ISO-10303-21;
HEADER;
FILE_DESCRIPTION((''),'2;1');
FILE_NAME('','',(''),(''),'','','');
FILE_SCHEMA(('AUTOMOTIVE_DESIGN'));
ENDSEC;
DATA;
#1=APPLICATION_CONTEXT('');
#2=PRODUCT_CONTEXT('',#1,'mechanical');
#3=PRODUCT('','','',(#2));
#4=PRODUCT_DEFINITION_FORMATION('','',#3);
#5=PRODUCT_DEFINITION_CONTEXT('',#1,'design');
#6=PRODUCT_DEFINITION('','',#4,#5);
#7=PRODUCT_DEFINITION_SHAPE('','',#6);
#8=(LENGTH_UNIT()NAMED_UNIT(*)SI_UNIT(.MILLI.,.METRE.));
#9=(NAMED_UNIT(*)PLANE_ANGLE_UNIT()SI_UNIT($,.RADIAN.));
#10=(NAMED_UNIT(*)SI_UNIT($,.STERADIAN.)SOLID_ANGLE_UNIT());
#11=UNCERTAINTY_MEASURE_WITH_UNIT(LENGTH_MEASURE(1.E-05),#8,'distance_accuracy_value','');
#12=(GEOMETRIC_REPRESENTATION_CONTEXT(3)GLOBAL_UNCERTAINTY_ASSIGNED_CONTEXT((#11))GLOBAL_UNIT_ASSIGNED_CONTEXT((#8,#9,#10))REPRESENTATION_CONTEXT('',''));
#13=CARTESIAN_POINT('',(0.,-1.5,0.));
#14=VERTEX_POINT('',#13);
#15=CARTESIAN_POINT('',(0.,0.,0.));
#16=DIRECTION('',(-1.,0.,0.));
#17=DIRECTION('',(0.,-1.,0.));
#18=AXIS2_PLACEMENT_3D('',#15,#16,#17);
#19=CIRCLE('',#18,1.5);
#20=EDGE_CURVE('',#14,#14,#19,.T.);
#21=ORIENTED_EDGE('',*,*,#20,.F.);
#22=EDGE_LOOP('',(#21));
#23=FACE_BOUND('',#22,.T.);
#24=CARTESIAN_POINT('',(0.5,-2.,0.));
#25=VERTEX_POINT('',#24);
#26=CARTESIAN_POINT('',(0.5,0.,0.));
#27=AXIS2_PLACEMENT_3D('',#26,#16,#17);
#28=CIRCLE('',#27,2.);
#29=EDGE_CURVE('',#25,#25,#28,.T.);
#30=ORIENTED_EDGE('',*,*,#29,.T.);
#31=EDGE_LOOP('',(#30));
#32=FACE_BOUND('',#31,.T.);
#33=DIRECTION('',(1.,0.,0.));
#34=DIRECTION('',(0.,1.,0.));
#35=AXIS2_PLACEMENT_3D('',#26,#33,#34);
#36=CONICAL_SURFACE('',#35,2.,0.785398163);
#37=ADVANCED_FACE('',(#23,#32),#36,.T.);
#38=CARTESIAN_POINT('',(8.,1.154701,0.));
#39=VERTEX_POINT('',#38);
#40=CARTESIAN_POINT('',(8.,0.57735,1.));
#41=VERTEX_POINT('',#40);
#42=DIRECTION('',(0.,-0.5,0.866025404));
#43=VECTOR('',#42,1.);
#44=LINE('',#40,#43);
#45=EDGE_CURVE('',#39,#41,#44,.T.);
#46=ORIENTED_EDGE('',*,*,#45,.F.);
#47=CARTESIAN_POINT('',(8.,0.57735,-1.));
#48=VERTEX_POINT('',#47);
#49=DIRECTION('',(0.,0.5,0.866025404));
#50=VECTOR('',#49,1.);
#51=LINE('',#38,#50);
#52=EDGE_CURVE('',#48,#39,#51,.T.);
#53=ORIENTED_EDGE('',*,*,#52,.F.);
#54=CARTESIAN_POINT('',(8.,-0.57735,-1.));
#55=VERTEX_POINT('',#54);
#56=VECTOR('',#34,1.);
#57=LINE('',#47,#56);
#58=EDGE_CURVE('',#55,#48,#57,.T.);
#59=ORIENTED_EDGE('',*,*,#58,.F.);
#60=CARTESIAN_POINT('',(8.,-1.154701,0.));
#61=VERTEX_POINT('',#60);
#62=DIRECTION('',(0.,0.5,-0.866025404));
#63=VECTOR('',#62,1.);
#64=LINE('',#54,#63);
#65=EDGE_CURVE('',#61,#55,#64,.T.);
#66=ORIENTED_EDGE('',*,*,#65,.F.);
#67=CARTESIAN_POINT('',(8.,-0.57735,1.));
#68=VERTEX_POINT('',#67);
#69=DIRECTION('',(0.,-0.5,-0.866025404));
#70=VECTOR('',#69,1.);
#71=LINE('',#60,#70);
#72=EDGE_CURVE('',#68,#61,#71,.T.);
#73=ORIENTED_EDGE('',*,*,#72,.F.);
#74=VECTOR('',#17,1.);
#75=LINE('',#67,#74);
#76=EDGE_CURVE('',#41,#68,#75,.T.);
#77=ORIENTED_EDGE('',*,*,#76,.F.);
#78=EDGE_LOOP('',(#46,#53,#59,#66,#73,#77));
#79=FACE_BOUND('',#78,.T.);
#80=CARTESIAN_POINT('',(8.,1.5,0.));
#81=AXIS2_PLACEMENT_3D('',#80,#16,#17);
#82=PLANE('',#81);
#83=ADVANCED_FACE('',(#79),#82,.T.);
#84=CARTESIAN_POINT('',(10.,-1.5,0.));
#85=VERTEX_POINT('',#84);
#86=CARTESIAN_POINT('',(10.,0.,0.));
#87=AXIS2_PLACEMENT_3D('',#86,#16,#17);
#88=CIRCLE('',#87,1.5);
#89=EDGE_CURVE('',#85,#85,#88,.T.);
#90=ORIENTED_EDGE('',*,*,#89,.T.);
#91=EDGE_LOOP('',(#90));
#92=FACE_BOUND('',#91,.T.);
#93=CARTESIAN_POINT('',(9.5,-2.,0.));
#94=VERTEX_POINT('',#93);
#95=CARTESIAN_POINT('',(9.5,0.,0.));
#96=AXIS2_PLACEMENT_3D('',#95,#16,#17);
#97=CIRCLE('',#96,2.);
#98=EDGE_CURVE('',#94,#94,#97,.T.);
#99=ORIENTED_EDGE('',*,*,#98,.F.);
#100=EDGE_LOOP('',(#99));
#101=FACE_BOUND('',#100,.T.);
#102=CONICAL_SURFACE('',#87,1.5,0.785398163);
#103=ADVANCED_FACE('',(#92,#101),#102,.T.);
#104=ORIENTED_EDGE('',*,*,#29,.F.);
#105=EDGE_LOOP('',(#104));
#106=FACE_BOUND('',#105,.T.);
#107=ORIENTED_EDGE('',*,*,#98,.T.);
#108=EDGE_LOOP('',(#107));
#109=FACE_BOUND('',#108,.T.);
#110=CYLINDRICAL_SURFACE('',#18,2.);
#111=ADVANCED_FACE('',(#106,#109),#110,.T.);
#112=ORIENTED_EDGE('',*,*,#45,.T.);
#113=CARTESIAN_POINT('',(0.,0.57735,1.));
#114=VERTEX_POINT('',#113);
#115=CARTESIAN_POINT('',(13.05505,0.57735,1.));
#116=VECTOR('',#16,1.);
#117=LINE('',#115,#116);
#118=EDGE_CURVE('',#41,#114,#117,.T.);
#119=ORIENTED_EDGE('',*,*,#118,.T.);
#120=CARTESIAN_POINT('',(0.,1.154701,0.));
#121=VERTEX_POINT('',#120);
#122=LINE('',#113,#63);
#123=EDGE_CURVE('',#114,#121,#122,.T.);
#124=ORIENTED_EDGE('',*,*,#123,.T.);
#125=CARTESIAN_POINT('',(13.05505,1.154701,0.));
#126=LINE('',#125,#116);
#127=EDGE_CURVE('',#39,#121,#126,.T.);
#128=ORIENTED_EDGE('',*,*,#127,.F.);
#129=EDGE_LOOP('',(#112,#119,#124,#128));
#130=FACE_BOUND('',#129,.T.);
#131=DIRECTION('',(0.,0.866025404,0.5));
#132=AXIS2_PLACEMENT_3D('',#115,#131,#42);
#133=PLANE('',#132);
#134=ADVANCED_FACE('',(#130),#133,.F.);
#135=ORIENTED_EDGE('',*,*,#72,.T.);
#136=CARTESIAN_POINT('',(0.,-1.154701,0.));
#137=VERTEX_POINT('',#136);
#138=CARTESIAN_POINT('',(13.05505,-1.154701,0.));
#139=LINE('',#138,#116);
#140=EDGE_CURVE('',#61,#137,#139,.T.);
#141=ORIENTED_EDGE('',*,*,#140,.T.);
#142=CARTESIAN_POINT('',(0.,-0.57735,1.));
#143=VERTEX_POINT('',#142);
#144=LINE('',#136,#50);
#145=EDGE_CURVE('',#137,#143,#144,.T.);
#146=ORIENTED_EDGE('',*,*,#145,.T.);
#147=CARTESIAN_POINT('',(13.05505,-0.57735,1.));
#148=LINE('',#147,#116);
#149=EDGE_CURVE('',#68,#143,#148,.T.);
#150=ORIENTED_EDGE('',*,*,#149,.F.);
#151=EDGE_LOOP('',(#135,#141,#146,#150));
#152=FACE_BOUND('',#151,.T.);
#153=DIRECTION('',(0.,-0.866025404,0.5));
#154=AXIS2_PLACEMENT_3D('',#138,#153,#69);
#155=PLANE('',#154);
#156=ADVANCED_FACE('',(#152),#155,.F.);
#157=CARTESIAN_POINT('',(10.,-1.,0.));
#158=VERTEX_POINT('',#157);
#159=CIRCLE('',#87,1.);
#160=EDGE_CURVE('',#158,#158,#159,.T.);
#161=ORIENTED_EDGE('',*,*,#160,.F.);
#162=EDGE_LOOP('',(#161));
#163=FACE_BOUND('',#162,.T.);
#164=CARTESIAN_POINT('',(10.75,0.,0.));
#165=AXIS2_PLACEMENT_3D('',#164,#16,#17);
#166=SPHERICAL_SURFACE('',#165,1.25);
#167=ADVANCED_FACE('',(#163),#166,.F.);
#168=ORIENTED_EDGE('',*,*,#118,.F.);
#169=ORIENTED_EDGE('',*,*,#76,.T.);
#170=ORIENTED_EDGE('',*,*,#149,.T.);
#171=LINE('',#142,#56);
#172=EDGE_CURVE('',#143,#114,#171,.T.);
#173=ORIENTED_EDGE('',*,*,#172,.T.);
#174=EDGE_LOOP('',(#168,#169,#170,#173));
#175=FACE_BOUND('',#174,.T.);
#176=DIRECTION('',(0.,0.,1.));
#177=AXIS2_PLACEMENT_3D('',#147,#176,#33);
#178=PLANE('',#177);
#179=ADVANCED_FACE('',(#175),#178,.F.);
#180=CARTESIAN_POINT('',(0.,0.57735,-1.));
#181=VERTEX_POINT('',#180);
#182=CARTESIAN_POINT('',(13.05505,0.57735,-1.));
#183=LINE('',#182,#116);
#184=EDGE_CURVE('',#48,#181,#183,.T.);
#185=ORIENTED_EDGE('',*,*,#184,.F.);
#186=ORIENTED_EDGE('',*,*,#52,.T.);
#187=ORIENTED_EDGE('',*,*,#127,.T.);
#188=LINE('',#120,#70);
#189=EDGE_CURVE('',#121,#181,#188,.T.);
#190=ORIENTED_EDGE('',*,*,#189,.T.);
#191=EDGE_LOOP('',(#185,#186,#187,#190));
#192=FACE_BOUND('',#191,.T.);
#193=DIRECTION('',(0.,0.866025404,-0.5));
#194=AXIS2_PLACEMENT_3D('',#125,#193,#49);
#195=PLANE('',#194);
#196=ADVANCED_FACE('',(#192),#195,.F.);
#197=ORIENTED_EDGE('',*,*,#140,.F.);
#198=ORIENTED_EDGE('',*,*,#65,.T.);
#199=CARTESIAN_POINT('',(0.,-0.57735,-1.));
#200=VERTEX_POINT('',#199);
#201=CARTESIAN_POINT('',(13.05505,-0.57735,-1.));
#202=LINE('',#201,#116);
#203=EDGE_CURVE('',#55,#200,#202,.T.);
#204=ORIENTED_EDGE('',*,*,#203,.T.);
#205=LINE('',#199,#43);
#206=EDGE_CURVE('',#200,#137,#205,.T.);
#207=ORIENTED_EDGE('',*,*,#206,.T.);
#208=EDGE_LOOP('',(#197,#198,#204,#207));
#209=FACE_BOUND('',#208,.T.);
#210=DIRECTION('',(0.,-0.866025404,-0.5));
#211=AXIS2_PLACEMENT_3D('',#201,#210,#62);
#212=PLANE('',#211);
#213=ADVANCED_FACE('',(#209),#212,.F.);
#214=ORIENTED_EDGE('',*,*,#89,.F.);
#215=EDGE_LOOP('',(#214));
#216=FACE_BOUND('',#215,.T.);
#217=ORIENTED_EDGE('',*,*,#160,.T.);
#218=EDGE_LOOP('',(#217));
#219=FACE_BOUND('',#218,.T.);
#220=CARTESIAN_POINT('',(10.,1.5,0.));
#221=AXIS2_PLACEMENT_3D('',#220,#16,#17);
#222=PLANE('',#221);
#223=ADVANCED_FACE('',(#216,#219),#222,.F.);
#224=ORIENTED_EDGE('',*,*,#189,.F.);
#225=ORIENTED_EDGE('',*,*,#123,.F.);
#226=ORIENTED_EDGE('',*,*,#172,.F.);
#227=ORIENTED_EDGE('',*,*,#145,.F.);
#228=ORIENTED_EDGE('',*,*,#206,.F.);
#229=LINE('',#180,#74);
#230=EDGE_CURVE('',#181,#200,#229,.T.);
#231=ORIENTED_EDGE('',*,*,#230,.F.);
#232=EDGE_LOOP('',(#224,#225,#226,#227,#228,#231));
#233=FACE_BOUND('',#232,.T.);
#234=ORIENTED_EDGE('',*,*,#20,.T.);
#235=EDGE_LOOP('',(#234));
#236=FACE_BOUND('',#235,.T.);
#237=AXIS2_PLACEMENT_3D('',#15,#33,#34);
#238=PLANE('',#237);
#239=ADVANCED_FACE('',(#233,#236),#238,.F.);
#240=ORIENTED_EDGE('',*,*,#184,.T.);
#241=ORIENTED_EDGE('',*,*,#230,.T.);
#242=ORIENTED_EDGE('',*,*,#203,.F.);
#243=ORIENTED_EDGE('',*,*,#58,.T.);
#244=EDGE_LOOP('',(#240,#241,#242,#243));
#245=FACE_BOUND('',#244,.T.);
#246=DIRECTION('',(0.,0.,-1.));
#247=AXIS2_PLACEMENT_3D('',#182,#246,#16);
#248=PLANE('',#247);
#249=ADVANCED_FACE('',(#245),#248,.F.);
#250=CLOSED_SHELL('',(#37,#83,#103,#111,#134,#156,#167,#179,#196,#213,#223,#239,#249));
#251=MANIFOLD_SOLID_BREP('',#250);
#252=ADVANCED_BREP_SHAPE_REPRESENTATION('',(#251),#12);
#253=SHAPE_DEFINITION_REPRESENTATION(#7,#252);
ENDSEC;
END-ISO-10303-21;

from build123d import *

# Parameters (mm, degrees)
CUT_EXTRUDE1_DEPTH = 8


with BuildPart() as part:
    # Sketch1 → Revolve1 (revolve)
    with BuildSketch(Plane.XY, mode=Mode.PRIVATE) as revolve1_sk:
        with BuildLine():
            Line((0, 0), (0, 1.5))
            Line((0, 1.5), (0.5, 2))
            Line((0.5, 2), (9.5, 2))
            Line((9.5, 2), (10, 1.5))
            Line((10, 1.5), (10, 1))
            ThreePointArc((10, 1), (9.631966011, 0.559016994), (9.5, 0))
            Line((9.5, 0), (0, 0))
        make_face()
    revolve(revolve1_sk.sketch.rotate(Axis((0, 0, 0), (1, 0, 0)), 180), axis=Axis((0, 0, 0), (1, 0, 0)))

    # Sketch2 → Cut-Extrude1 (cut)
    with BuildSketch(Plane.ZY):
        Polygon((0, 1.154700538), (-1, 0.577350269), (-1, -0.577350269), (0, -1.154700538), (1, -0.577350269), (1, 0.577350269), align=None)
    extrude(amount=-CUT_EXTRUDE1_DEPTH, mode=Mode.SUBTRACT)


solid = part.part
